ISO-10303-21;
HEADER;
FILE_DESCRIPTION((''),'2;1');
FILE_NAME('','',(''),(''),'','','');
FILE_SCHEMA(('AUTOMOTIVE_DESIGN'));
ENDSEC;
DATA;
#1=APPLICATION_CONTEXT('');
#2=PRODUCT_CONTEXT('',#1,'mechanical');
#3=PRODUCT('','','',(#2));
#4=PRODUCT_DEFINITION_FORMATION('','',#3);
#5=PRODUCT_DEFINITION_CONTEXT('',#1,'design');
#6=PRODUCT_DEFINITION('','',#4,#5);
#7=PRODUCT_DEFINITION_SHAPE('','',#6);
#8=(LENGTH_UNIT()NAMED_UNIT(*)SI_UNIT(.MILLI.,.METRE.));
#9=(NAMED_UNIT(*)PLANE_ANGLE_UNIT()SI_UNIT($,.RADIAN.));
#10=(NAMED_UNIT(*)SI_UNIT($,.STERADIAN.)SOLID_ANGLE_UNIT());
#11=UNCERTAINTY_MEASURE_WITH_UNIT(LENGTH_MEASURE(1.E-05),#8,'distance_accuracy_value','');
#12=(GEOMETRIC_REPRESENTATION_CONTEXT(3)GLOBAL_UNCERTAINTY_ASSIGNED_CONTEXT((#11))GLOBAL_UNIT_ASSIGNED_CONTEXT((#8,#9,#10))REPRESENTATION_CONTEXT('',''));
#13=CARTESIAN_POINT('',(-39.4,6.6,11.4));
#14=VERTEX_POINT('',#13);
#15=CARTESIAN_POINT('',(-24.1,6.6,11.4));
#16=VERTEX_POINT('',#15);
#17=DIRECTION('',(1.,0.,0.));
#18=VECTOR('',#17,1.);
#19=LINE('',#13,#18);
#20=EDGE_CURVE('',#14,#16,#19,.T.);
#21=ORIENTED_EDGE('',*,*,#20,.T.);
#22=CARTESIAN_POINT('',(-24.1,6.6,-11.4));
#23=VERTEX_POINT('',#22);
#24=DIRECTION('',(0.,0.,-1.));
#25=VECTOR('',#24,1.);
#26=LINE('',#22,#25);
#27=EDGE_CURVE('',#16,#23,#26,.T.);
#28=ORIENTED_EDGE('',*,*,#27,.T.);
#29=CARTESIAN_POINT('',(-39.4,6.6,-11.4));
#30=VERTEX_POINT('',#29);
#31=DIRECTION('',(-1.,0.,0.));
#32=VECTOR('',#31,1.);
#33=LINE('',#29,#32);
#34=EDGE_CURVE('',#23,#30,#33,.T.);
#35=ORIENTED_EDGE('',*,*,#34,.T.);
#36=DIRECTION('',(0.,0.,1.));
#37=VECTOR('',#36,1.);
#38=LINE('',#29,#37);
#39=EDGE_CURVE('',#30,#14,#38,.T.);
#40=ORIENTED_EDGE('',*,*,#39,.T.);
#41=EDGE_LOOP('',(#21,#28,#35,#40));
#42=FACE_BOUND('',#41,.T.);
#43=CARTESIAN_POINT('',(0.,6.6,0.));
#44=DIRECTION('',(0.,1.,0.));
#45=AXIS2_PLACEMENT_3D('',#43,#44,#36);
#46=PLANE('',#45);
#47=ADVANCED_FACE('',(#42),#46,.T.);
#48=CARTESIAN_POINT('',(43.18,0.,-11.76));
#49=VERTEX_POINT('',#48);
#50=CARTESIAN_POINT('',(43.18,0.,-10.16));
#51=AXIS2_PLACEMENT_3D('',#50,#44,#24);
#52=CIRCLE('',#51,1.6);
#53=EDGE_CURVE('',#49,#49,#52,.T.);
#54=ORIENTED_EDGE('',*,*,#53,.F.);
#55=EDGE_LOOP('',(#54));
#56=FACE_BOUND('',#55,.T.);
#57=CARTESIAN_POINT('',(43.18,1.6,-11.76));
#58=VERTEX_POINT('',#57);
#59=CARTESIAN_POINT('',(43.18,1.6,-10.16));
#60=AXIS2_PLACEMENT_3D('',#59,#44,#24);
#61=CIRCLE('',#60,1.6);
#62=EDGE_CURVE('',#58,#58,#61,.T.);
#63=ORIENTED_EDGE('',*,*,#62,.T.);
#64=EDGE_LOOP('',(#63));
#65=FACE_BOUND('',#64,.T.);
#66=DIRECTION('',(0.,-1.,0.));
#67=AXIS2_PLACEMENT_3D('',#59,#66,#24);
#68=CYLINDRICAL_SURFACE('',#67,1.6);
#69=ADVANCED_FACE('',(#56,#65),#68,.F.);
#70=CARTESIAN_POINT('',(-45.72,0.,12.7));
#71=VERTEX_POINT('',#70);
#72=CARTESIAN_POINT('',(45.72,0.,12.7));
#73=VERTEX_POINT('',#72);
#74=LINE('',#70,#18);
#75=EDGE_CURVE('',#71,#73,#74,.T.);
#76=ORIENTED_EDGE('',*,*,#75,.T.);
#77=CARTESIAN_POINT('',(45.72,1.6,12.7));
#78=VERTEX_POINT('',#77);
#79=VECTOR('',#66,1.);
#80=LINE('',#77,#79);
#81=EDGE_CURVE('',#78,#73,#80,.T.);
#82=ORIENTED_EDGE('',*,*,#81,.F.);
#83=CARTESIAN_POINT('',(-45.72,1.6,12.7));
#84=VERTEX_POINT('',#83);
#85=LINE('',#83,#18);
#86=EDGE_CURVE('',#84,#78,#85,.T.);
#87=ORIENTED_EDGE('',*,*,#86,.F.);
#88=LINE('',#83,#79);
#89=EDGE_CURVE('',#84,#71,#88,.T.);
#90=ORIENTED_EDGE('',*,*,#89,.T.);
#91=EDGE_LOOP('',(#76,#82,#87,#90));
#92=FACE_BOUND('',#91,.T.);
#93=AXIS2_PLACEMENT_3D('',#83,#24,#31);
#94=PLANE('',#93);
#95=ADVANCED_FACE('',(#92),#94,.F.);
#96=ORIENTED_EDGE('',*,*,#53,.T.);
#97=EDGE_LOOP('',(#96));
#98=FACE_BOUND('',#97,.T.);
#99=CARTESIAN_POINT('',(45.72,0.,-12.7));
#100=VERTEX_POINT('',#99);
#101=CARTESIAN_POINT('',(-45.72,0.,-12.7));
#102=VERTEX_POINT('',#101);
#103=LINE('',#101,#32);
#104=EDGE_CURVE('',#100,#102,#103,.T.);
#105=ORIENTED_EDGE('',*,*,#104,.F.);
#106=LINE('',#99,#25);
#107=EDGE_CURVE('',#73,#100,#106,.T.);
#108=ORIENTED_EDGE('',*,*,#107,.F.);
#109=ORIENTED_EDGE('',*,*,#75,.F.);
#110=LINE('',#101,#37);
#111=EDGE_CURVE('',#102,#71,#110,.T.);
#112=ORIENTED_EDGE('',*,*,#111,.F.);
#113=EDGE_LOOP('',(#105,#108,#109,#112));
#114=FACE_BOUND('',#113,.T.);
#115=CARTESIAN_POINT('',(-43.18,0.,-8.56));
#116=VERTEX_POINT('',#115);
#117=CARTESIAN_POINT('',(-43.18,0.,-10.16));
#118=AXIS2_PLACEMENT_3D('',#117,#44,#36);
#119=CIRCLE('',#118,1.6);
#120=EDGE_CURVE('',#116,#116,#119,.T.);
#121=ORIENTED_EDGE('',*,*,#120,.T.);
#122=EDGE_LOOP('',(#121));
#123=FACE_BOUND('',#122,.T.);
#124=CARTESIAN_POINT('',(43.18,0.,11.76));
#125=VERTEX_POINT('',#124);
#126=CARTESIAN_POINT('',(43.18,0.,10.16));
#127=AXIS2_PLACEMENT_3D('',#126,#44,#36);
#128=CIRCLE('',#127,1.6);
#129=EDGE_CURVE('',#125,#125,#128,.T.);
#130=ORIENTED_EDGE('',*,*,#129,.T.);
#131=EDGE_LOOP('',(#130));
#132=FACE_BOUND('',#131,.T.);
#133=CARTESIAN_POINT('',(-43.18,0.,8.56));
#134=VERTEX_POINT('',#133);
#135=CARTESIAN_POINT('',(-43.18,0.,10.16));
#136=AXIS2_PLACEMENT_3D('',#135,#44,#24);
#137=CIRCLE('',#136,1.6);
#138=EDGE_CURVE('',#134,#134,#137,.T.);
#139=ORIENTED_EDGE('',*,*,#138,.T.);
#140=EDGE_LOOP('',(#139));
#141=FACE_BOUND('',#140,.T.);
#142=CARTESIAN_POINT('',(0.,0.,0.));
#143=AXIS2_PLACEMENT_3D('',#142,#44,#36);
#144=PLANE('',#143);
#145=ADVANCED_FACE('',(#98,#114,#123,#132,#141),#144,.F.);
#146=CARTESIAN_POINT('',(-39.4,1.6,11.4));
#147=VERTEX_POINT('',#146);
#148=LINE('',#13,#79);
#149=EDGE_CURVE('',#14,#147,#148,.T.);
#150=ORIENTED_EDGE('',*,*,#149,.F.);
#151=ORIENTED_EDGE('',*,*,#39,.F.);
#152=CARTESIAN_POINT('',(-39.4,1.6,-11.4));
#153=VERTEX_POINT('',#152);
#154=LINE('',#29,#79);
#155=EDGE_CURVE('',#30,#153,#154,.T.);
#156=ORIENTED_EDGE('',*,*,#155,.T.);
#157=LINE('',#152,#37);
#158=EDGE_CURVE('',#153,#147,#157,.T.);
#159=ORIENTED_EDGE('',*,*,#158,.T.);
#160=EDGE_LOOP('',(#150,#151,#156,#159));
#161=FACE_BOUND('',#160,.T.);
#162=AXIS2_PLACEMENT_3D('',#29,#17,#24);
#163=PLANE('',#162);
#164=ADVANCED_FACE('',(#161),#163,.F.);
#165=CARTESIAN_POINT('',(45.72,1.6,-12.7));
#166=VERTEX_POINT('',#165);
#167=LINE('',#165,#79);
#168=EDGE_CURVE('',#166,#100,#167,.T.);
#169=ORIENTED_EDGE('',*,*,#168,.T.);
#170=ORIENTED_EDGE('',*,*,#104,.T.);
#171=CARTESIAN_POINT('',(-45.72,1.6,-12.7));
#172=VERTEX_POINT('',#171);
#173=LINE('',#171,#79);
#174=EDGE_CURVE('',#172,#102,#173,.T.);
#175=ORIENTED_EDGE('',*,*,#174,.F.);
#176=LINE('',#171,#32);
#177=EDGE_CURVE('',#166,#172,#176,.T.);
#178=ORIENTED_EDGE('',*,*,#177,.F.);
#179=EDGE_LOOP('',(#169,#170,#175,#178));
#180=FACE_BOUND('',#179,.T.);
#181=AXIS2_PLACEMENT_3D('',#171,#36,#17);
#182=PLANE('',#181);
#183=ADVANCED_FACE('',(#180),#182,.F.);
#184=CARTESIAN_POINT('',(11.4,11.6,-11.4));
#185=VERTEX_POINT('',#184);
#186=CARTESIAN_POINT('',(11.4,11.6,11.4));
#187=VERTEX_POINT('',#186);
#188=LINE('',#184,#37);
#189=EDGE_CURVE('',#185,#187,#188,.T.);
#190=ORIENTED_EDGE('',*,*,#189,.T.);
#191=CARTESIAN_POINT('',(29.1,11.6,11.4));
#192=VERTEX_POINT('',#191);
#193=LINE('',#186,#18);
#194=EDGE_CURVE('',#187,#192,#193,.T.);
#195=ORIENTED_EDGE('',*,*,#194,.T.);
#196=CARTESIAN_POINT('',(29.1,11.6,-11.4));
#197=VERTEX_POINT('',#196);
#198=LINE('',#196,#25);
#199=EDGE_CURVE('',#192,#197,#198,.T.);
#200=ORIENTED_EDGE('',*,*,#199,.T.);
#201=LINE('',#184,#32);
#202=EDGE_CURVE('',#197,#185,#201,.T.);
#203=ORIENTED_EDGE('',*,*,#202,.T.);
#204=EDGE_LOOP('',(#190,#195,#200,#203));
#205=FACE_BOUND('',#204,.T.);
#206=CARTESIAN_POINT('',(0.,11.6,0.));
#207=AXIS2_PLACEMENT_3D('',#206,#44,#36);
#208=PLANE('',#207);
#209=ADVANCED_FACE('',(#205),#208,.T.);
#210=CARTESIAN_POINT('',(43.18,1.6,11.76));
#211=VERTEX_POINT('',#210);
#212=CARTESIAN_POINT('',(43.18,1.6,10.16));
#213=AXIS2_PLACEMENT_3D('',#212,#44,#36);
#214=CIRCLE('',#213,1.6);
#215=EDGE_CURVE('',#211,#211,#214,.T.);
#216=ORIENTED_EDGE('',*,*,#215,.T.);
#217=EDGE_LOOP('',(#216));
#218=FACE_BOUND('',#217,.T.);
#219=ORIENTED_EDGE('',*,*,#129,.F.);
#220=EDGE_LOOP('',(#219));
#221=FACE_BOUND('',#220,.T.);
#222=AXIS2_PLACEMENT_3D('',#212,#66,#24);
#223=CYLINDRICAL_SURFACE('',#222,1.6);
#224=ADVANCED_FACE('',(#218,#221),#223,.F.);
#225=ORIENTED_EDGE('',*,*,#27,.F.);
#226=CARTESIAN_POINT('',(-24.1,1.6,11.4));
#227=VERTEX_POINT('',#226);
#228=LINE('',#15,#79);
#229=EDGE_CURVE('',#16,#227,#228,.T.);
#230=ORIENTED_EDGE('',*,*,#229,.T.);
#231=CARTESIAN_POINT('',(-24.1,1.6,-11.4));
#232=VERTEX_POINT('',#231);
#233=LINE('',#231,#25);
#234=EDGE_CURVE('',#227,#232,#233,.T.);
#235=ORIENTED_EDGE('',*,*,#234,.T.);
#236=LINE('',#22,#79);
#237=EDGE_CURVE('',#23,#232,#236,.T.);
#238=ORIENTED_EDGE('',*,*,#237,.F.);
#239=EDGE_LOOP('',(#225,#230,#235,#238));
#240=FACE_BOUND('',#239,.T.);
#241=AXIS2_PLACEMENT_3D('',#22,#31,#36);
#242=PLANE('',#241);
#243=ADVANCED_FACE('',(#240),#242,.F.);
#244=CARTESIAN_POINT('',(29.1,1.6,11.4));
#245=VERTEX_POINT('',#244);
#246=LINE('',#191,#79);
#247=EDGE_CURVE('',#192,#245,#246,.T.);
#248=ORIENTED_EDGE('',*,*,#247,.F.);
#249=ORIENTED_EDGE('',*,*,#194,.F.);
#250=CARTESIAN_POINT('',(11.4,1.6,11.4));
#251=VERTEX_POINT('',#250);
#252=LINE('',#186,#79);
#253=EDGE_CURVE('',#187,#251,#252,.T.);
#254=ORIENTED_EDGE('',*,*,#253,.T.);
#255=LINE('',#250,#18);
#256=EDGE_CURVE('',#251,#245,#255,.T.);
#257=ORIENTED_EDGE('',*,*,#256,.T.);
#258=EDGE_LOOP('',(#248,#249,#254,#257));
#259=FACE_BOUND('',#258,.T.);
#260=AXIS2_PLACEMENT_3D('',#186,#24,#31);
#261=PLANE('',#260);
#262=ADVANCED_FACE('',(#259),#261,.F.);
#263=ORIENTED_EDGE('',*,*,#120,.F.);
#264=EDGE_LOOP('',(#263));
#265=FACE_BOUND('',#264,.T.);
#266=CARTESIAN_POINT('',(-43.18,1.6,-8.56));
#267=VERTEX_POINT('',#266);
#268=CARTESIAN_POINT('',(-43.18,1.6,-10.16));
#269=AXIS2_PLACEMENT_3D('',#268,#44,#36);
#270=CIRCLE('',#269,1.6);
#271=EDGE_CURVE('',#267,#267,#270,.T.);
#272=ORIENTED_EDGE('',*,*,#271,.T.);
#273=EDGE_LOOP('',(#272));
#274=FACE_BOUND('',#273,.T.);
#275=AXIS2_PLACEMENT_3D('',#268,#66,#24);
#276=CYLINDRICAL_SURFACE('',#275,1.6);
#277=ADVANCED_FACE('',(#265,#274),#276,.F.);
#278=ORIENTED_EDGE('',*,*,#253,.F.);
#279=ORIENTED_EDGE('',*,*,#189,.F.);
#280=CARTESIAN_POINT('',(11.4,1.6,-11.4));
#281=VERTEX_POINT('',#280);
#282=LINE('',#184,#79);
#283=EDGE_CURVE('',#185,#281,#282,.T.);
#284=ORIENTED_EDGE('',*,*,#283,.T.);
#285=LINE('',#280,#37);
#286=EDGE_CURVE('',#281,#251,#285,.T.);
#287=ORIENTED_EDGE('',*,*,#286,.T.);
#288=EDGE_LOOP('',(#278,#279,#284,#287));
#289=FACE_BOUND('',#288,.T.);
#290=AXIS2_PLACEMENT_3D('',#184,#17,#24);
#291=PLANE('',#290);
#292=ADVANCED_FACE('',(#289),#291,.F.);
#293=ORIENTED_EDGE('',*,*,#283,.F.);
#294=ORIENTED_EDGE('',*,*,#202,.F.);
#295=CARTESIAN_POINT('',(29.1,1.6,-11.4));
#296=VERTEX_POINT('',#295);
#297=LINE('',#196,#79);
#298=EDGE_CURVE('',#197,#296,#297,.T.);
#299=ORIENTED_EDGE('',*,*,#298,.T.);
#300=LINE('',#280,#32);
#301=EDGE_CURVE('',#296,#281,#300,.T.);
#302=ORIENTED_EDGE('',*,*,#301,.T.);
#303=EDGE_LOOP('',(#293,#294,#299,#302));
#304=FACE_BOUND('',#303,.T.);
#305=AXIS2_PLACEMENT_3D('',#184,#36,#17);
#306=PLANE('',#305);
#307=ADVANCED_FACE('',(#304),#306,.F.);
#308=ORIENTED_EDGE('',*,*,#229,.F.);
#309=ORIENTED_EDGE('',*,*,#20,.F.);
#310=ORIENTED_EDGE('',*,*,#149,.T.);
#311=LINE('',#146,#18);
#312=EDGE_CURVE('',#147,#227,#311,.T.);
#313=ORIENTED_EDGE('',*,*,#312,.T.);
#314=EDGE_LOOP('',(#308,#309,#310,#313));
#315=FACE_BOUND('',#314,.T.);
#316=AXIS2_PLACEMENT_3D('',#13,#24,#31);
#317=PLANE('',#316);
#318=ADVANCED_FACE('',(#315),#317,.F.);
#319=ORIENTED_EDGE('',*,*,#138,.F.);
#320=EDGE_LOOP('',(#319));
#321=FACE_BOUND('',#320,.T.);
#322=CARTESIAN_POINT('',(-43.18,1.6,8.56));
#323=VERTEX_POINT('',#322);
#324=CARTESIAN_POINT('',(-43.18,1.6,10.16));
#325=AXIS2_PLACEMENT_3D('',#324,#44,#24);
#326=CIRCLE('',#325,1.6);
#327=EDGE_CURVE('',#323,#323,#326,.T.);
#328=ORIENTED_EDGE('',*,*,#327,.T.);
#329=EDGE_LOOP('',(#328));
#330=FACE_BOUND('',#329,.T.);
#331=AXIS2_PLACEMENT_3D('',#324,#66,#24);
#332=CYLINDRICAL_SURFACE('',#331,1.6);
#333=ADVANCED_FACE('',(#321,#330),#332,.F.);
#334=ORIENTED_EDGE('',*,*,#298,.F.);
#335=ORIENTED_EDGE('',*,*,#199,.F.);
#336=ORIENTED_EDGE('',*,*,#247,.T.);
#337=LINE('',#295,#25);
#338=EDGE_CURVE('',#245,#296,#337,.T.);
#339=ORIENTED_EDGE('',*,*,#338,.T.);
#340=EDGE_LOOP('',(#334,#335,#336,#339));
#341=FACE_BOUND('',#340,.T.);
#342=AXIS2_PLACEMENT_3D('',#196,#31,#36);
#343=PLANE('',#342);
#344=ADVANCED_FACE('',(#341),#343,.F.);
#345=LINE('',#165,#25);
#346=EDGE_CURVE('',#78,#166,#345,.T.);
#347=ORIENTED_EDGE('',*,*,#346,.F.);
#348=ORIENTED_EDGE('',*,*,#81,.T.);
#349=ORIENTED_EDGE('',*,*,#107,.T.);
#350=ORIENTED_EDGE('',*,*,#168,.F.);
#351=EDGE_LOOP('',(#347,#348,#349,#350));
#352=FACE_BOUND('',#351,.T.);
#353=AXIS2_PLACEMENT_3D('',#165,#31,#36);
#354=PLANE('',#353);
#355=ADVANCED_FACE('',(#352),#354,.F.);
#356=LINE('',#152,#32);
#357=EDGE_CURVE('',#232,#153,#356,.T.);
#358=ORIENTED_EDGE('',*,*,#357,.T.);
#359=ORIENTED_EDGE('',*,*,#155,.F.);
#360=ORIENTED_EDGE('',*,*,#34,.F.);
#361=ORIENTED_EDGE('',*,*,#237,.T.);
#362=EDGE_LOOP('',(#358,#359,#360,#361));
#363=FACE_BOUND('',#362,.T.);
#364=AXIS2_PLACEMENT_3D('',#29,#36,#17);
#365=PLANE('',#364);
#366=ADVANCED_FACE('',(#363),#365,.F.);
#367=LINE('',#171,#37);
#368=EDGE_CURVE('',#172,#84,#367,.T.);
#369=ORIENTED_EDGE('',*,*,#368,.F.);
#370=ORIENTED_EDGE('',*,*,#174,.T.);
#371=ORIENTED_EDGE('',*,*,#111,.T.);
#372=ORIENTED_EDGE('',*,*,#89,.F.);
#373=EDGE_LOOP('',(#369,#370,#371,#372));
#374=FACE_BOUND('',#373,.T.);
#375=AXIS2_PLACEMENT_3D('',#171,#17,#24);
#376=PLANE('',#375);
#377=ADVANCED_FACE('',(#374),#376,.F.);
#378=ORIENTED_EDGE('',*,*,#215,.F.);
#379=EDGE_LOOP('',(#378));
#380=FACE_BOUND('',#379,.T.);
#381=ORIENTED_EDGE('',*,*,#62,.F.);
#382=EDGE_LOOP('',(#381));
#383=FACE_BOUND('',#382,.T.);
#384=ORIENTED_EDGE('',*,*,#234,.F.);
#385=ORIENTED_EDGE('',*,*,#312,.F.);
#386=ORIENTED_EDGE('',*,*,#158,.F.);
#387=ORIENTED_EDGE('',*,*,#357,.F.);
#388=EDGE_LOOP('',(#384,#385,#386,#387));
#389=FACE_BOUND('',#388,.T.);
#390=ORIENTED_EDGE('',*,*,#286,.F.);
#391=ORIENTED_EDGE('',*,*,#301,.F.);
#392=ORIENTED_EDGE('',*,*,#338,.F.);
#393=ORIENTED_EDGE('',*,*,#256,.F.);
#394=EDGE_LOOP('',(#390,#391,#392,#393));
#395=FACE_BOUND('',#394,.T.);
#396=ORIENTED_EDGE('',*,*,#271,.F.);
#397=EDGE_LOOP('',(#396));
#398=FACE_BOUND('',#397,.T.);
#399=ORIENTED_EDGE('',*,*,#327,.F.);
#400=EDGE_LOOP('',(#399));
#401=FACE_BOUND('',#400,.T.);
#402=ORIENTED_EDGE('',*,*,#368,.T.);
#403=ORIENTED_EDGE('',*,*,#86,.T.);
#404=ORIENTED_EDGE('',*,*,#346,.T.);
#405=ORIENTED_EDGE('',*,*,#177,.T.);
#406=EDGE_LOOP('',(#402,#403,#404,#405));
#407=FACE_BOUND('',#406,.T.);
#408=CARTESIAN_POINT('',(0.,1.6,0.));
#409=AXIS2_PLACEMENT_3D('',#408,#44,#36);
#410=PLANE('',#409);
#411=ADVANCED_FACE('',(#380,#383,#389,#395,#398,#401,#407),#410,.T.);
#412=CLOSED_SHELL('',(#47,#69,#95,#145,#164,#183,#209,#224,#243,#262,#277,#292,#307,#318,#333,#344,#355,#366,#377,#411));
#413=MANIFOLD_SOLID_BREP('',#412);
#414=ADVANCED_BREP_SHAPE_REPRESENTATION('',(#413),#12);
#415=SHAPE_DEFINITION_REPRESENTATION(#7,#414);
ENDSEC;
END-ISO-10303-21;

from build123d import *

# Parameters (mm, degrees)
SKETCH_1_W      = 91.44
SKETCH_1_H      = 25.4
SKETCH_1_R      = 1.6
EXTRUDE_1_DEPTH = 1.6
SKETCH_2_W      = 15.3
SKETCH_2_H      = 22.8
EXTRUDE_2_DEPTH = 5
SKETCH_3_W      = 17.7
SKETCH_3_H      = 22.8
EXTRUDE_3_DEPTH = 10


with BuildPart() as part:
    # 草图1 → 凸台-拉伸1 (new body)
    with BuildSketch(Plane(origin=(0, 0, 0), x_dir=(1, 0, 0), z_dir=(0, 1, 0))):
        Rectangle(SKETCH_1_W, SKETCH_1_H)
        with Locations(Location((-43.18, 10.16, 0), (0, 0, 270))):
            Circle(SKETCH_1_R, mode=Mode.SUBTRACT)
        with Locations(Location((43.18, 10.16, 0), (0, 0, 90))):
            Circle(SKETCH_1_R, mode=Mode.SUBTRACT)
        with Locations(Location((43.18, -10.16, 0), (0, 0, 270))):
            Circle(SKETCH_1_R, mode=Mode.SUBTRACT)
        with Locations(Location((-43.18, -10.16, 0), (0, 0, 90))):
            Circle(SKETCH_1_R, mode=Mode.SUBTRACT)
    extrude(amount=EXTRUDE_1_DEPTH)

    # 草图2 → 凸台-拉伸2 (add)
    with BuildSketch(Plane(origin=(0, 1.6, 0), x_dir=(1, 0, 0), z_dir=(0, 1, 0))):
        with Locations((-31.75, 0)):
            Rectangle(SKETCH_2_W, SKETCH_2_H)
    extrude(amount=EXTRUDE_2_DEPTH)

    # 草图3 → 凸台-拉伸3 (add)
    with BuildSketch(Plane(origin=(0, 1.6, 0), x_dir=(1, 0, 0), z_dir=(0, 1, 0))):
        with Locations((20.25, 0)):
            Rectangle(SKETCH_3_W, SKETCH_3_H)
    extrude(amount=EXTRUDE_3_DEPTH)


solid = part.part
